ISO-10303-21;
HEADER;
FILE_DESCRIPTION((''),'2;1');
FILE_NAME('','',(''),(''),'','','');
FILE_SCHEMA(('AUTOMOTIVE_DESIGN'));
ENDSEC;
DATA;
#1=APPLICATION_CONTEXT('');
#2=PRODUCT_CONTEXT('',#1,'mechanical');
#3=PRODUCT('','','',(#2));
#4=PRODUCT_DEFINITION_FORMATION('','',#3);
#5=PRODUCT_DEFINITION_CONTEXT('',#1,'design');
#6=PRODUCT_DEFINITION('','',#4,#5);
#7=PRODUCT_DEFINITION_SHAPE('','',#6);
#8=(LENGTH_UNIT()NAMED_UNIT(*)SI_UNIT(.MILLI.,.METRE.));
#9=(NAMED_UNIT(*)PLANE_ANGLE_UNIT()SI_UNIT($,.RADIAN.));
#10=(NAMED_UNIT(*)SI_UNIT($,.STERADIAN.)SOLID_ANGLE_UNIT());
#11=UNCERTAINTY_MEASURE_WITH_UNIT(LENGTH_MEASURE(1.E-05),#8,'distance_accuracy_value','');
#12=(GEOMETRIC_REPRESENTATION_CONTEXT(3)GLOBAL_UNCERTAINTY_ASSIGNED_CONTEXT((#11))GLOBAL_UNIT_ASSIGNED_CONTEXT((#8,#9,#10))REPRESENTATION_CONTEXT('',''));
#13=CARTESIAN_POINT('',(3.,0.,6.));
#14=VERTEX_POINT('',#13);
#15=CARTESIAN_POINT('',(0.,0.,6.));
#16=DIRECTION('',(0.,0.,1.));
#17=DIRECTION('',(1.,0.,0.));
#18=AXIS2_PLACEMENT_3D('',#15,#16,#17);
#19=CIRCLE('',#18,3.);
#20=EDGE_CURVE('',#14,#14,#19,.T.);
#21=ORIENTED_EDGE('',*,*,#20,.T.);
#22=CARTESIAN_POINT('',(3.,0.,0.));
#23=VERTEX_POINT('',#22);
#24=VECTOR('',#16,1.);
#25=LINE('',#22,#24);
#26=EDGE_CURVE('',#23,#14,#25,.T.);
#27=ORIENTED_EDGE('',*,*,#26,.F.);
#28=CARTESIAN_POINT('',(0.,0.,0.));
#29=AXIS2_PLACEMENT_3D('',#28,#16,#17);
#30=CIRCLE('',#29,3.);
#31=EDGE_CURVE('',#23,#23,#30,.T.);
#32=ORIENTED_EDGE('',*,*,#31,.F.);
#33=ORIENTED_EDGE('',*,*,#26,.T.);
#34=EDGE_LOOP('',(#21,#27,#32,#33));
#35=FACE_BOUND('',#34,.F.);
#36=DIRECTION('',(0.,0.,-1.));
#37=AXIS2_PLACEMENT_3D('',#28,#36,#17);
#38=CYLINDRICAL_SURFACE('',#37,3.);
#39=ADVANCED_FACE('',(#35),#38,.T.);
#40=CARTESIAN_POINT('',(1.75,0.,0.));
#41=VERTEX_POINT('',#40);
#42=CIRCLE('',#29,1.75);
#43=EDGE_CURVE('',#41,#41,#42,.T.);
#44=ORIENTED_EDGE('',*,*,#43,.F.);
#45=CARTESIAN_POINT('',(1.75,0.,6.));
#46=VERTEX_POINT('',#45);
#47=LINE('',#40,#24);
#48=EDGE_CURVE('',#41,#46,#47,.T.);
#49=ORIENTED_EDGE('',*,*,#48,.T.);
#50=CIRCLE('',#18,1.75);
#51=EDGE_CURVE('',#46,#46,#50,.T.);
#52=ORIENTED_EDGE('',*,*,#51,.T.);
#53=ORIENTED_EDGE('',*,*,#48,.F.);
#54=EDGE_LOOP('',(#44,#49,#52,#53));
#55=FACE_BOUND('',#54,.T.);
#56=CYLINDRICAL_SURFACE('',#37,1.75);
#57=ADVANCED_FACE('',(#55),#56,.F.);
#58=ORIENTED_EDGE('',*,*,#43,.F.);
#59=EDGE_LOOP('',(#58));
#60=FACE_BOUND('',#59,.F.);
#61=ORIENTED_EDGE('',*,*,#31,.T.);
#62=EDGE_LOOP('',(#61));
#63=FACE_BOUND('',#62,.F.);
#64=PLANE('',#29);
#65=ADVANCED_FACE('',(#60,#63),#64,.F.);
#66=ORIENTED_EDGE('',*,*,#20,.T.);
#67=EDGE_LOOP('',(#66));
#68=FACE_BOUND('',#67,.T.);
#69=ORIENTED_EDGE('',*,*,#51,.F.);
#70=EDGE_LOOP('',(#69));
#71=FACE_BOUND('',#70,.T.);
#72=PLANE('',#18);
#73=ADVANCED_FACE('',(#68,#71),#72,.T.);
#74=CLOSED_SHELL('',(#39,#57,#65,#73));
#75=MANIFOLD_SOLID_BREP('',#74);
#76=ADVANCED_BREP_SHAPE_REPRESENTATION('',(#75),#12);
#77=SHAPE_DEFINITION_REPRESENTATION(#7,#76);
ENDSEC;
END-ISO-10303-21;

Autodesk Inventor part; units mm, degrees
ref_plane "YZ Plane" through (0, 0, 0) normal (1, 0, 0) x (0, 1, 0)
ref_plane "XZ Plane" through (0, 0, 0) normal (0, 1, 0) x (-1, 0, 0)
ref_plane "XY Plane" through (0, 0, 0) normal (0, 0, 1) x (1, 0, 0)
sketch "Sketch1" plane through (0, 0, 0) normal (0, 0, 1) x (1, 0, 0)
  circle A0 centre (0, 0) radius 1.75
  circle A1 centre (0, 0) radius 3
  dimension "d0" = 6
  dimension "d1" = 3.5
extrude "Extrusion1" add sketch "Sketch1" along normal blind 6
properties part number "Raspberry_Pi3_Standoff_3DPrint"
